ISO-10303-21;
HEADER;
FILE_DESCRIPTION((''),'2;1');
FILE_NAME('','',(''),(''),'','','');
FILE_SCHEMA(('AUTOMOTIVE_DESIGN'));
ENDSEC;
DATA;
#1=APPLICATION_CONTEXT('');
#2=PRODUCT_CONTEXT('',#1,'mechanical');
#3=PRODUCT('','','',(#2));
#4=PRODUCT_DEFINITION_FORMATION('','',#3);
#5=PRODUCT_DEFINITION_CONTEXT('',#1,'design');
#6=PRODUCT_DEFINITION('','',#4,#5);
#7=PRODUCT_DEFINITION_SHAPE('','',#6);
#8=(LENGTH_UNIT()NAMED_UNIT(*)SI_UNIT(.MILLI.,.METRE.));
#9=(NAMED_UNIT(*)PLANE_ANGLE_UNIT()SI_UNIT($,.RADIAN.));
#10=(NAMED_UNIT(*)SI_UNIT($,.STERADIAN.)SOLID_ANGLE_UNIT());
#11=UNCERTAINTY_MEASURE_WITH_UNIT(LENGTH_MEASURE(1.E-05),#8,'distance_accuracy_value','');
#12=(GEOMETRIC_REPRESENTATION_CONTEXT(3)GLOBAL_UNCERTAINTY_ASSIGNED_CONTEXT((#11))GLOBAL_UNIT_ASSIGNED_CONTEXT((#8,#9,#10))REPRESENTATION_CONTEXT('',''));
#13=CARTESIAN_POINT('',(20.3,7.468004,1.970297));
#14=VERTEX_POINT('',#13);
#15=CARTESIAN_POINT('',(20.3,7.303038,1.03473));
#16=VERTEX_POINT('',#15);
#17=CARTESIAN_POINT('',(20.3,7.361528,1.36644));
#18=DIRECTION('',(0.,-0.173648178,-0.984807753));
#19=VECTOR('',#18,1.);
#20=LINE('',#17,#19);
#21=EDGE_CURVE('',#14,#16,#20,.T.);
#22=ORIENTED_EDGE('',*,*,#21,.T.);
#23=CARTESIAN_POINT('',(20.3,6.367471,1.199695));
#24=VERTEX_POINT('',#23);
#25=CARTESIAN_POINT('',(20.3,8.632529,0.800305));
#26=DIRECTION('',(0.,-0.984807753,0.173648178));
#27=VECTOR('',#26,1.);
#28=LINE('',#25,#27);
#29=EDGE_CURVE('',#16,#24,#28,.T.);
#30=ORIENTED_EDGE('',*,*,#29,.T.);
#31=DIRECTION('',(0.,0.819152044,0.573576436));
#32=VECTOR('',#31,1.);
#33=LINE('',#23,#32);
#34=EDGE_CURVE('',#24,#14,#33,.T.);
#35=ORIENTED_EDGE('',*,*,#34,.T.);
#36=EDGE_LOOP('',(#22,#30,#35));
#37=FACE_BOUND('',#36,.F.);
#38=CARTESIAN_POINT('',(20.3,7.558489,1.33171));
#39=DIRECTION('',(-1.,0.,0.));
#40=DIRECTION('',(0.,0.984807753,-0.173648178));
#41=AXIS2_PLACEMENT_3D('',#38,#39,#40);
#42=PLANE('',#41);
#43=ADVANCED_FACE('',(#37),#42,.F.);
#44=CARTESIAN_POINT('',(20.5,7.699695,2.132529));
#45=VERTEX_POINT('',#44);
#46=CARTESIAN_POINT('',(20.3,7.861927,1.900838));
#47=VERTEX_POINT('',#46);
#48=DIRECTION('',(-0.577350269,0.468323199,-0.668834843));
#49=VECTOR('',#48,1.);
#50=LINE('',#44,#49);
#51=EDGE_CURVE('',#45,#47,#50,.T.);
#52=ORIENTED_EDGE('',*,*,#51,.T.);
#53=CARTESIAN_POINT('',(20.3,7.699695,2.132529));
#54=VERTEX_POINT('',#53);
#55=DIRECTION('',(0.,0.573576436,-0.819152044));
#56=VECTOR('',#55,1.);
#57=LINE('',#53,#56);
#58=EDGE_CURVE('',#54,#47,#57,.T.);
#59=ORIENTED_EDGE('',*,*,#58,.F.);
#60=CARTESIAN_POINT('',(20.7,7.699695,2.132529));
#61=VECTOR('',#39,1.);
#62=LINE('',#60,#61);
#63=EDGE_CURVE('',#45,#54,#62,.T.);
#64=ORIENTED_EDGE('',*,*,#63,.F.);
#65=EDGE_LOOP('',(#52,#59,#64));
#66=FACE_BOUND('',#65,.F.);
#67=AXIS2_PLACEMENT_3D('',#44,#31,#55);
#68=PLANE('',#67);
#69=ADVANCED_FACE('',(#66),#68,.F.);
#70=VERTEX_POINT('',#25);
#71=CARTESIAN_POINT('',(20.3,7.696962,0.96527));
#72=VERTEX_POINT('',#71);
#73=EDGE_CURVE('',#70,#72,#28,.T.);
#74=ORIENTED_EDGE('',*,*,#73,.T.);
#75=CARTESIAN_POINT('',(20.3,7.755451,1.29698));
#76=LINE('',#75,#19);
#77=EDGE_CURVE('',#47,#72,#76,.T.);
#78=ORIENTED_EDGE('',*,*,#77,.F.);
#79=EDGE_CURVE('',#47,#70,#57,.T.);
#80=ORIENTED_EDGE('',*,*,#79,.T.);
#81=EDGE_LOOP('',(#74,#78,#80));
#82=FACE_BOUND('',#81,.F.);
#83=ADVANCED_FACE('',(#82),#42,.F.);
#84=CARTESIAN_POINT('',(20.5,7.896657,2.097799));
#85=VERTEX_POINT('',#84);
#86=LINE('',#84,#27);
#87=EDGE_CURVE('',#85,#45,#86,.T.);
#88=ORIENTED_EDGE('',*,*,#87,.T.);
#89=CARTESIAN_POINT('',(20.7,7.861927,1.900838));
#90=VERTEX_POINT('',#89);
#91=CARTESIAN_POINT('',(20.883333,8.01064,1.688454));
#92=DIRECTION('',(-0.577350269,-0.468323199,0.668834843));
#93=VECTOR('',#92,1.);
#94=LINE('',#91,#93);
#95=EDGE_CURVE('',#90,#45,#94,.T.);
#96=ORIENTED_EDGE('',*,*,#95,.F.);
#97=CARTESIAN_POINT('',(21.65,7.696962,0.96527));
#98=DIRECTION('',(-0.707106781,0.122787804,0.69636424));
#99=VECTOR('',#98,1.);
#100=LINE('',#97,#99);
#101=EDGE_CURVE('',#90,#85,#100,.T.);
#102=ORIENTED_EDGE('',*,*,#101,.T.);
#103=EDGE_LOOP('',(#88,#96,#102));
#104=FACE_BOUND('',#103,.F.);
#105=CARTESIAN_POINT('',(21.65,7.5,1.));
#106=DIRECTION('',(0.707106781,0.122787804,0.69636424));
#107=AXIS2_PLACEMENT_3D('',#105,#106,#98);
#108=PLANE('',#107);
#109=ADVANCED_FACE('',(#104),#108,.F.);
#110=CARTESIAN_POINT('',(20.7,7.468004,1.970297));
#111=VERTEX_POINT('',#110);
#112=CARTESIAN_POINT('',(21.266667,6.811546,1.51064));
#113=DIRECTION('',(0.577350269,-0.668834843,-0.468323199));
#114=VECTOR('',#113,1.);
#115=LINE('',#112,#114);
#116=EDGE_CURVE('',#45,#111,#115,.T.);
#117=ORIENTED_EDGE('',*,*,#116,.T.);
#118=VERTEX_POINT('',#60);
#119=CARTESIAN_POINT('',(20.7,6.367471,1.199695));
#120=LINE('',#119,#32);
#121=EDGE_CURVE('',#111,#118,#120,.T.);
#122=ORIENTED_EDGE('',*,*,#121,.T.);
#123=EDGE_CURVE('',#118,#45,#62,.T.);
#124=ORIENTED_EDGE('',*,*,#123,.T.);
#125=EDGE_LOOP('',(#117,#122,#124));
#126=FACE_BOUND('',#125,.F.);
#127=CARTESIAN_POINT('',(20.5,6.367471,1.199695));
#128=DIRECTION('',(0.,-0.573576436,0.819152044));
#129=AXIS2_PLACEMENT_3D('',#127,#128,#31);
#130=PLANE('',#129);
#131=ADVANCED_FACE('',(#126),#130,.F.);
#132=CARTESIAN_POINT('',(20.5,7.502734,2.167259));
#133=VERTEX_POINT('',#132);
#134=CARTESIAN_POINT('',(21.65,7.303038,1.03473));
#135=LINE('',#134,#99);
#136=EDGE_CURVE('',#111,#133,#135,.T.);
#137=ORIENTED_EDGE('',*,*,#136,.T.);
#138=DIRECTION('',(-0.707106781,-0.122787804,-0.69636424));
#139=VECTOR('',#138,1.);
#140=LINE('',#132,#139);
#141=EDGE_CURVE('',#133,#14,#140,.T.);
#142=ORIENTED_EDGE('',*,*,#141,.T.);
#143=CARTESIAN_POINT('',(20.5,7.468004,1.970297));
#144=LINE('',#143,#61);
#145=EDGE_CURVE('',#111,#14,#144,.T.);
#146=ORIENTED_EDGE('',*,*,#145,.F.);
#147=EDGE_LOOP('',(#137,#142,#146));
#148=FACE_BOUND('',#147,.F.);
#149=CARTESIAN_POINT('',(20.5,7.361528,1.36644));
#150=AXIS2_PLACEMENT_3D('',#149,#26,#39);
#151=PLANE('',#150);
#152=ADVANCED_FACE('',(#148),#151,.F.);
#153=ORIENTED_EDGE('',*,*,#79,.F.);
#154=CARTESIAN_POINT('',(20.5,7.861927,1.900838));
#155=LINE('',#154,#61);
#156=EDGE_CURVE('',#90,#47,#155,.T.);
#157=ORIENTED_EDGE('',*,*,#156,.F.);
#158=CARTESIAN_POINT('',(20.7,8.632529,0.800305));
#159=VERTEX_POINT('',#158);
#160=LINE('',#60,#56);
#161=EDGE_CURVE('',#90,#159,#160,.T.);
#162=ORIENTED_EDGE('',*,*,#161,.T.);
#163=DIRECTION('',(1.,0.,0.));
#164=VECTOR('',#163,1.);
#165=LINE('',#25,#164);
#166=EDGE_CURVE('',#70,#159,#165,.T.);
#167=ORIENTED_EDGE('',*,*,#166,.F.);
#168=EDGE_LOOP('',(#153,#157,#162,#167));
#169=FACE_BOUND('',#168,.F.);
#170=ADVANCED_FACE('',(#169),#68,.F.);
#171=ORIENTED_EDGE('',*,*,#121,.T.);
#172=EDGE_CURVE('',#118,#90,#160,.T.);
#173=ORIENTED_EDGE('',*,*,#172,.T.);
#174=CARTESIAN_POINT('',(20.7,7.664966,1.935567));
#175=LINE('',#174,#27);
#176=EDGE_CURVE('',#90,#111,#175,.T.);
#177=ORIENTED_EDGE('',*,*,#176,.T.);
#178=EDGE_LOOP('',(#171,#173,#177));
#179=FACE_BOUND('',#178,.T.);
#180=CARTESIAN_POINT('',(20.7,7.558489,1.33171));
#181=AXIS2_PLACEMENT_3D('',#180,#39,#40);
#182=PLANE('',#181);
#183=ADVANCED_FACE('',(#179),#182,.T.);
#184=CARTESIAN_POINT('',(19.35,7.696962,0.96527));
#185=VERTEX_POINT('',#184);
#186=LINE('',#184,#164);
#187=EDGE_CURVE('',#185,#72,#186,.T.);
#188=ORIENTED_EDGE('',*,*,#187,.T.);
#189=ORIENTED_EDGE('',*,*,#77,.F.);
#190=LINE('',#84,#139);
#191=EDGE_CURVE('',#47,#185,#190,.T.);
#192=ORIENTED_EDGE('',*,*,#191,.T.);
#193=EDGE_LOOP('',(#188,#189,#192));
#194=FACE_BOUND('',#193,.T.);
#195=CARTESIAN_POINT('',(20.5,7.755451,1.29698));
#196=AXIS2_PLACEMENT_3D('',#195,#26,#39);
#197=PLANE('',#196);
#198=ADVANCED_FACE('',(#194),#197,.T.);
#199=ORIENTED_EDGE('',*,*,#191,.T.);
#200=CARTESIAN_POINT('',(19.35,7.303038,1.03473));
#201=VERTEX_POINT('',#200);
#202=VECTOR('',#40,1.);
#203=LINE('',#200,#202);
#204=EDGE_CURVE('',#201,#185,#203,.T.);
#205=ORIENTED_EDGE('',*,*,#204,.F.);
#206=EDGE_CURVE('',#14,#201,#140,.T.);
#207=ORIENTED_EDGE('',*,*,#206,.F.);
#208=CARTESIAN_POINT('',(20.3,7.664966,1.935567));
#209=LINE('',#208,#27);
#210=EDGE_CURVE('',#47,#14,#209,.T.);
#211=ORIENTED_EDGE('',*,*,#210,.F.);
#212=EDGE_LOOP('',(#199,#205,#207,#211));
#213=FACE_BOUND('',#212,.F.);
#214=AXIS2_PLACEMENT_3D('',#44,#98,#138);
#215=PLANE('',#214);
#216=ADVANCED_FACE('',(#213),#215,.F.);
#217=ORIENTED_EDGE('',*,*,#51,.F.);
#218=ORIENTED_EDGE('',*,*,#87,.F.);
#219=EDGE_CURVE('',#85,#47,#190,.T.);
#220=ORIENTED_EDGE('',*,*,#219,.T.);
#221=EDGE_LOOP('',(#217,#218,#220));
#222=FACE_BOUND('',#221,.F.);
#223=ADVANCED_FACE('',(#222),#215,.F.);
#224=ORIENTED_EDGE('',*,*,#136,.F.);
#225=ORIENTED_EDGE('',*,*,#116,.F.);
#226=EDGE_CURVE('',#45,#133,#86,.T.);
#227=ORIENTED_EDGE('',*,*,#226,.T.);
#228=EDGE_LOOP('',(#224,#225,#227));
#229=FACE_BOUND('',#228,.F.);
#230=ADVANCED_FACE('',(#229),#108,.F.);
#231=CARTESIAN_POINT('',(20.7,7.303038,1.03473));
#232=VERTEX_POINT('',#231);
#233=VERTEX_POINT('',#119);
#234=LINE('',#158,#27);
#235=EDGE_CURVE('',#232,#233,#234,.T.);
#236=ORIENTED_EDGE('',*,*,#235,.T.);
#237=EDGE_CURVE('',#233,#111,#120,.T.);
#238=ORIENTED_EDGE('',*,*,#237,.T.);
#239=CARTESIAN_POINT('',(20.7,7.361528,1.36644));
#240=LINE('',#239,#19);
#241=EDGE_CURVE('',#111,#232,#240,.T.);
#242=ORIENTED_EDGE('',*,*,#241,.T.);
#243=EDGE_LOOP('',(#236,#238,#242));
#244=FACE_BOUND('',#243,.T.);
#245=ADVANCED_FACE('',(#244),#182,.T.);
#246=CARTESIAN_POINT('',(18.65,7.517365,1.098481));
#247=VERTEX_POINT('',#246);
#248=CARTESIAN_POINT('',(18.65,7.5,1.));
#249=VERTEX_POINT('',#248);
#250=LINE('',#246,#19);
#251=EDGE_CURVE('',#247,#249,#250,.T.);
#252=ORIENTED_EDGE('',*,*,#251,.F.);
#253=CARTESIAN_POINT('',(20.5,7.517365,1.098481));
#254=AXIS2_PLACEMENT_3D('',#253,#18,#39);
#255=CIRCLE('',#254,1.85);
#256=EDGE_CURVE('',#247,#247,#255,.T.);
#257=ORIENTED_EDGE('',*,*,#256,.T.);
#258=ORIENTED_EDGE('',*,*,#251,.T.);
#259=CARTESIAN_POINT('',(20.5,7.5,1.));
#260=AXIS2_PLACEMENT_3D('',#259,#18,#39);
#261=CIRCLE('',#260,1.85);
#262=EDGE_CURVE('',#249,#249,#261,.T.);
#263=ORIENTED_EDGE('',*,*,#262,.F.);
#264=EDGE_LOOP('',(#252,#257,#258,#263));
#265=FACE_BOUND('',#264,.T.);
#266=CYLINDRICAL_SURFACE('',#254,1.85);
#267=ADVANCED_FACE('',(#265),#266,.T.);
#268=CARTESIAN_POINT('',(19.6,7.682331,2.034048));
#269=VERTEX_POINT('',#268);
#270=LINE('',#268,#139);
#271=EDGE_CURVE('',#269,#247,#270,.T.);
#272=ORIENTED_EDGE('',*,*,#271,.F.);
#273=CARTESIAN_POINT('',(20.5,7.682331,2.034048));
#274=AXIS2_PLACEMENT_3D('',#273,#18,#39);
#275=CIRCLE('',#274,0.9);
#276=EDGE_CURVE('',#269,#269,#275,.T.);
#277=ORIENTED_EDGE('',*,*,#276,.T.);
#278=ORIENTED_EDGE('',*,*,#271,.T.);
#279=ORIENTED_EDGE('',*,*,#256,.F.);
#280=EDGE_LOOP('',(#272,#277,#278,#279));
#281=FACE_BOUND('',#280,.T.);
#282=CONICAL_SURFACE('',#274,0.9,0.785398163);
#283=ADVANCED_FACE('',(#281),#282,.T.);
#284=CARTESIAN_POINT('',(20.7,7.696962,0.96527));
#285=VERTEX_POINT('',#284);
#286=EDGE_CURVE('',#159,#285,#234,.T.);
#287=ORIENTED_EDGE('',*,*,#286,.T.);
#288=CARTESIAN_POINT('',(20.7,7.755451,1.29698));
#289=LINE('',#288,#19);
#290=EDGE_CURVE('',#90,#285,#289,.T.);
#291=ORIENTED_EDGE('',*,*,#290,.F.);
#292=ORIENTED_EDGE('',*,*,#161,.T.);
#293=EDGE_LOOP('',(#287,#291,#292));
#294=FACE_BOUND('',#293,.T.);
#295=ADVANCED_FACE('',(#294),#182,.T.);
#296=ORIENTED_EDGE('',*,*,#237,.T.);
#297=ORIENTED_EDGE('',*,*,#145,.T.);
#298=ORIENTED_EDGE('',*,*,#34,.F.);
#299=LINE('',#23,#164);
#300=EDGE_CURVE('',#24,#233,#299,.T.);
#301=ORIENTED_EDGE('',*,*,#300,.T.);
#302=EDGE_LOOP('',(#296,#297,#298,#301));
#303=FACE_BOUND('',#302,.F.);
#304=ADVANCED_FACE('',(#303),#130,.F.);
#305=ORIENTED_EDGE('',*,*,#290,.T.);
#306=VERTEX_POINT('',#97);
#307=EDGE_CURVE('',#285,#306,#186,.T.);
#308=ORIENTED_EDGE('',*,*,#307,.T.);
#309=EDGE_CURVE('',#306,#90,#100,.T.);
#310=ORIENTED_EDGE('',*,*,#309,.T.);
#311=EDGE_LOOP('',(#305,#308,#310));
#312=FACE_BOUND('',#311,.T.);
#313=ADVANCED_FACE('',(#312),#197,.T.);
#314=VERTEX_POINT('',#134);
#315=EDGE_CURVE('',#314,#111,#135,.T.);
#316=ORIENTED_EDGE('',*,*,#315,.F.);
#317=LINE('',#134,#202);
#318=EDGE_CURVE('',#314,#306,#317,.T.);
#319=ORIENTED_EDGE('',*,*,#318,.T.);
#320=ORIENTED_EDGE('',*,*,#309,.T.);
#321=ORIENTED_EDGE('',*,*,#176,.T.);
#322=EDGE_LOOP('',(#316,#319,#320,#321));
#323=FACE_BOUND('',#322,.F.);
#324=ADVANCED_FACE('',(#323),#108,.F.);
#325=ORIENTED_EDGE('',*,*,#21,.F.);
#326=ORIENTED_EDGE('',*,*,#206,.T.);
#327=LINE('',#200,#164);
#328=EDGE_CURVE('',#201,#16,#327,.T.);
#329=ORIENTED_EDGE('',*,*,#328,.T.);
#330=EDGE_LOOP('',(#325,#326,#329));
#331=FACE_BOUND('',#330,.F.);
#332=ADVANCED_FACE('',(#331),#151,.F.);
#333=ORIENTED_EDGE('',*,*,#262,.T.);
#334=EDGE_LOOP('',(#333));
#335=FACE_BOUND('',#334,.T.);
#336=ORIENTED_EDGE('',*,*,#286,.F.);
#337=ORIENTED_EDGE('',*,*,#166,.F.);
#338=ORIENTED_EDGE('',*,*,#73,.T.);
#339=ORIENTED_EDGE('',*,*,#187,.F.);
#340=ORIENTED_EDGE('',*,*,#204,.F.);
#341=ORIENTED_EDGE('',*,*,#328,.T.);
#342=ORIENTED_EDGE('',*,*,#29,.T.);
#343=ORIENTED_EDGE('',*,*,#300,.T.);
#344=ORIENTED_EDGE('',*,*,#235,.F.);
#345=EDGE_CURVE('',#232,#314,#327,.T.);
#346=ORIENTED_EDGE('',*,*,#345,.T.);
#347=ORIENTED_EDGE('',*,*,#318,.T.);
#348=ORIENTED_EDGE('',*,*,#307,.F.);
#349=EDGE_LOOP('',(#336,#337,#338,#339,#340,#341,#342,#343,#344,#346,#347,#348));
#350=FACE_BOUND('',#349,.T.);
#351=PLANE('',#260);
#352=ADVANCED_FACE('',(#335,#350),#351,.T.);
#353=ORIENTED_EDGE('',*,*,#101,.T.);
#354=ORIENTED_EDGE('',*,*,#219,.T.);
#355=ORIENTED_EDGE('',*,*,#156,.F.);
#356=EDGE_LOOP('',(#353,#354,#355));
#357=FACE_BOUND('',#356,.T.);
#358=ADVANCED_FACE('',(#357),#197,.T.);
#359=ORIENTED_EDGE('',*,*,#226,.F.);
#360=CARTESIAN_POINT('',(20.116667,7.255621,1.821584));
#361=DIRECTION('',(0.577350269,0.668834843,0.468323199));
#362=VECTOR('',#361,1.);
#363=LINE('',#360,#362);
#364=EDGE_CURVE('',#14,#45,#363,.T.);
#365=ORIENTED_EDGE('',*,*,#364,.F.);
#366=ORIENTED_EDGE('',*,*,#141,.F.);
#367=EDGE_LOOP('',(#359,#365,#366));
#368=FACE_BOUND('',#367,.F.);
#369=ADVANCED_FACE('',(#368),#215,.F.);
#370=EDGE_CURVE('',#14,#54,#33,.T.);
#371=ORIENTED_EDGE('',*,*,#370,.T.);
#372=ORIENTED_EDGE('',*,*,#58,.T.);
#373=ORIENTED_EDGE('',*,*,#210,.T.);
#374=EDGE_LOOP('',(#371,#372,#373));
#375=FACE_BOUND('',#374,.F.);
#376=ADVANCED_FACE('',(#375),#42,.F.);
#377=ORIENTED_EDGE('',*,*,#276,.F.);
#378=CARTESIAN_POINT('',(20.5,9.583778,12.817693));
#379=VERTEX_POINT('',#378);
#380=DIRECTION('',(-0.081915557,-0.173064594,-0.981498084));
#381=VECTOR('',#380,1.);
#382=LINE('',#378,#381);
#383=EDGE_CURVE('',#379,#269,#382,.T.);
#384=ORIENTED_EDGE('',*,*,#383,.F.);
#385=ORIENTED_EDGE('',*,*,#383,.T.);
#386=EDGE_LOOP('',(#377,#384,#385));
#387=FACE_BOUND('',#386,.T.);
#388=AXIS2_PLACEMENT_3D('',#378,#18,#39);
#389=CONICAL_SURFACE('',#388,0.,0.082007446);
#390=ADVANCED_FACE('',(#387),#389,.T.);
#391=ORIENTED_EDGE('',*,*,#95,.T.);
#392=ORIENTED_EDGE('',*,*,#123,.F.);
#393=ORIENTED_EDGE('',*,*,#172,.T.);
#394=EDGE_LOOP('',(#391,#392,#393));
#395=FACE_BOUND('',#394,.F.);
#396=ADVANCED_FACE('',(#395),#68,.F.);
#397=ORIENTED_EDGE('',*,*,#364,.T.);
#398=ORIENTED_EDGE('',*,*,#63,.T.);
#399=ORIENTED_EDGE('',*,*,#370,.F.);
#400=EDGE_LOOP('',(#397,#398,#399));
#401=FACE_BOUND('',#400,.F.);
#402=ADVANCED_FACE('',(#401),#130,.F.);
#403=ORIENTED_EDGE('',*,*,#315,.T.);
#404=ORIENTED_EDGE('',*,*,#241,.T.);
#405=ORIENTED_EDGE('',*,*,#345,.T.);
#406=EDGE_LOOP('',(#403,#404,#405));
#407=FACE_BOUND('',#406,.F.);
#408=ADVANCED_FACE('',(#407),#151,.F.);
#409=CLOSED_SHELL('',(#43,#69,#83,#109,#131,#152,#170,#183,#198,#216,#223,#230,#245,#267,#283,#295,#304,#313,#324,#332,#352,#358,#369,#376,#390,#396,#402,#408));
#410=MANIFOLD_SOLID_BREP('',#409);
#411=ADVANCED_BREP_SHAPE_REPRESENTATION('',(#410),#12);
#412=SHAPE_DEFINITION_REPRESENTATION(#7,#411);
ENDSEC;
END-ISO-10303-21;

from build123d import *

# Parameters (mm, degrees)
POCKET005_DEPTH         = 0.2
POLARPATTERN002_COUNT   = 2
POLARPATTERN002_ANGLE   = 90
BODY008_ROLL_ANGLE      = -170
BODY008_PLACEMENT_ANGLE = 180


with BuildPart() as part:
    # Sketch024 → Revolution002 (revolve)
    with BuildSketch(Plane.XZ):
        Polygon((0, 0), (0, -12), (0.9, -1.05), (1.85, -0.1), (1.85, 0), align=None)
    revolve(axis=Axis((0, 0, 0), (0, 0, 1)))

    # Sketch025 → Pocket005 (cut, symmetric)
    with BuildSketch(Plane.XZ):
        Polygon((-1.15, 0), (0, -1.15), (1.15, 0), align=None)
    pocket005 = extrude(amount=POCKET005_DEPTH, both=True, mode=Mode.SUBTRACT)

    # PolarPattern002: Pocket005 ×2 about axis
    polarpattern002_axis = Axis((0, 0, 0), (0, 0, 1))
    for i in range(1, POLARPATTERN002_COUNT):
        add(pocket005.rotate(polarpattern002_axis, i * POLARPATTERN002_ANGLE / (POLARPATTERN002_COUNT - 1)), mode=Mode.SUBTRACT)


with BuildPart() as part_1:
    # Body008 roll: moved
    add(part.part.rotate(Axis((0, 0, 0), (1, 0, 0)), BODY008_ROLL_ANGLE))


with BuildPart() as part_2:
    # Body008 placement: moved
    add(part_1.part.moved(Location((20.5, 7.5, 1))).rotate(Axis((20.5, 7.5, 1), (0, 0, 1)), BODY008_PLACEMENT_ANGLE))


solid = part_2.part
